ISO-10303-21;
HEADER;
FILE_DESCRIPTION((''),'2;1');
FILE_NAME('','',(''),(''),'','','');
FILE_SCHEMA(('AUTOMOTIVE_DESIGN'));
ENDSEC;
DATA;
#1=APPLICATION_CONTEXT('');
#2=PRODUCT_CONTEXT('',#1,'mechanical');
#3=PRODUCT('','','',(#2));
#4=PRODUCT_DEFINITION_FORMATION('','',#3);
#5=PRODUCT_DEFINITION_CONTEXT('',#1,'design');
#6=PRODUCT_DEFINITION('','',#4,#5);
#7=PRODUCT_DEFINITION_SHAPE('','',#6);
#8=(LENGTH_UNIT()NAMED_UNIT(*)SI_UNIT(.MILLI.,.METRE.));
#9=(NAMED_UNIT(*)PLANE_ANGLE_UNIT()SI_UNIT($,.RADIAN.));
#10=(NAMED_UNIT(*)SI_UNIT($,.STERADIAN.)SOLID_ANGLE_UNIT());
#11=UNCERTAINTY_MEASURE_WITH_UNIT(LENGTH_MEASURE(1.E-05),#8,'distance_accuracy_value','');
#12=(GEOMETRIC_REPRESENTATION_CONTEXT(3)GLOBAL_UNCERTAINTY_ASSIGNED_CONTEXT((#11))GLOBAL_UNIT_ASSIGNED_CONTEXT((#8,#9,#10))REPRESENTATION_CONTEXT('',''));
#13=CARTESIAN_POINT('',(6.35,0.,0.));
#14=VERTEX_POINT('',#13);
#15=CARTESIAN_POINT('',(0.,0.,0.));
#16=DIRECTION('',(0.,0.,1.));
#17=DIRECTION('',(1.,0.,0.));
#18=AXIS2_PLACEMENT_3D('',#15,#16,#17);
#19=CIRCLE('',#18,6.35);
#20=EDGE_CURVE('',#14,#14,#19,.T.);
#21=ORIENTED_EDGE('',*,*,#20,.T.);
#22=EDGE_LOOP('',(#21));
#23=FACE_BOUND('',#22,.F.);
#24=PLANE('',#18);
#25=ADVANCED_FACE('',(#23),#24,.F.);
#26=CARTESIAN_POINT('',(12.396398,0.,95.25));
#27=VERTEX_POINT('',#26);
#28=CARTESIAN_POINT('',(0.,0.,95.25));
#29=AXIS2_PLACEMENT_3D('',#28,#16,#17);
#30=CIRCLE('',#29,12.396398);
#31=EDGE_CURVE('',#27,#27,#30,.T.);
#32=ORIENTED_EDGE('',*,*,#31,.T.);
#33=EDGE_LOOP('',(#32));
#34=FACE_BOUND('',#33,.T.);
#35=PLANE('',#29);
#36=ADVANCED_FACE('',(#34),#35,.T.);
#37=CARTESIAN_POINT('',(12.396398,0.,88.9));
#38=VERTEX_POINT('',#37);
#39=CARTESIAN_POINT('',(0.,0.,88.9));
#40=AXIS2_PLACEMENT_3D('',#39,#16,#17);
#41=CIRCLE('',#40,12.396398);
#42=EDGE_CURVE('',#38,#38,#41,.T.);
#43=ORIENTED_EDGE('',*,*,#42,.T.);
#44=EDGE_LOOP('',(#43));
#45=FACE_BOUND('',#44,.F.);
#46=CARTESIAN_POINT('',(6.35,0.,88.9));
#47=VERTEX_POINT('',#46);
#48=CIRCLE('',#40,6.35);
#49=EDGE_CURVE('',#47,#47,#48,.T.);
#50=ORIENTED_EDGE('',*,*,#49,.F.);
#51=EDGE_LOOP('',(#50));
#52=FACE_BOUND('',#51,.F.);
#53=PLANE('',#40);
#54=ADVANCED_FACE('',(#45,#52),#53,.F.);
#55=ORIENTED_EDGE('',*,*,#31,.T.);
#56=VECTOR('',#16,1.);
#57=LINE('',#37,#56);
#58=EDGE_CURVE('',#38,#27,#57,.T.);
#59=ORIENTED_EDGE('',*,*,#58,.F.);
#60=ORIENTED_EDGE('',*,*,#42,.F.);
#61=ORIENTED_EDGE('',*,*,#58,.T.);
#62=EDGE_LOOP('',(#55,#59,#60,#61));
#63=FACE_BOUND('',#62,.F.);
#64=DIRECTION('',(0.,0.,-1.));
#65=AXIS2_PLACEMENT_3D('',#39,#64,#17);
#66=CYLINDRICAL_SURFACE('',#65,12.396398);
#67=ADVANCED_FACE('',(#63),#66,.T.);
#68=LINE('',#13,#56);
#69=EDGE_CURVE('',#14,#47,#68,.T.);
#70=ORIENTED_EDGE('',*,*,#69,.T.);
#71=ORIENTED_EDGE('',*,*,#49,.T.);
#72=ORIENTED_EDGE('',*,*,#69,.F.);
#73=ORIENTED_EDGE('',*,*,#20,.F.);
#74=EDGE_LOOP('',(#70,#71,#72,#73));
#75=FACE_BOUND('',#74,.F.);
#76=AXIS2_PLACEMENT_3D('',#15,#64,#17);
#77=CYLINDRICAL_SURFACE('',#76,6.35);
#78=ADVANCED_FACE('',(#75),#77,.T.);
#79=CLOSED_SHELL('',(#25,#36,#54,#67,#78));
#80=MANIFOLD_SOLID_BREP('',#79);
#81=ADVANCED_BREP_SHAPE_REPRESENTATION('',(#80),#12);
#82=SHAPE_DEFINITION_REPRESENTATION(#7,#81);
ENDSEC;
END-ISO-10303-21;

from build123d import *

# Parameters (mm, degrees)
F0_R     = 6.35
F1_DEPTH = 88.9
F2_R     = 12.396398
F2_R_2   = 6.35
F3_DEPTH = 6.35


with BuildPart() as f1:
    # F0 (on Top) → F1 (new body)
    with BuildSketch(Plane.XY):
        Circle(F0_R)
    extrude(amount=F1_DEPTH)

    # F2 (on face) → F3 (join)
    with BuildSketch(Plane.XY.offset(88.9)):
        Circle(F2_R)
        Circle(F2_R_2, mode=Mode.SUBTRACT)
        Circle(F2_R_2)
    extrude(amount=F3_DEPTH)


solid = f1.part
